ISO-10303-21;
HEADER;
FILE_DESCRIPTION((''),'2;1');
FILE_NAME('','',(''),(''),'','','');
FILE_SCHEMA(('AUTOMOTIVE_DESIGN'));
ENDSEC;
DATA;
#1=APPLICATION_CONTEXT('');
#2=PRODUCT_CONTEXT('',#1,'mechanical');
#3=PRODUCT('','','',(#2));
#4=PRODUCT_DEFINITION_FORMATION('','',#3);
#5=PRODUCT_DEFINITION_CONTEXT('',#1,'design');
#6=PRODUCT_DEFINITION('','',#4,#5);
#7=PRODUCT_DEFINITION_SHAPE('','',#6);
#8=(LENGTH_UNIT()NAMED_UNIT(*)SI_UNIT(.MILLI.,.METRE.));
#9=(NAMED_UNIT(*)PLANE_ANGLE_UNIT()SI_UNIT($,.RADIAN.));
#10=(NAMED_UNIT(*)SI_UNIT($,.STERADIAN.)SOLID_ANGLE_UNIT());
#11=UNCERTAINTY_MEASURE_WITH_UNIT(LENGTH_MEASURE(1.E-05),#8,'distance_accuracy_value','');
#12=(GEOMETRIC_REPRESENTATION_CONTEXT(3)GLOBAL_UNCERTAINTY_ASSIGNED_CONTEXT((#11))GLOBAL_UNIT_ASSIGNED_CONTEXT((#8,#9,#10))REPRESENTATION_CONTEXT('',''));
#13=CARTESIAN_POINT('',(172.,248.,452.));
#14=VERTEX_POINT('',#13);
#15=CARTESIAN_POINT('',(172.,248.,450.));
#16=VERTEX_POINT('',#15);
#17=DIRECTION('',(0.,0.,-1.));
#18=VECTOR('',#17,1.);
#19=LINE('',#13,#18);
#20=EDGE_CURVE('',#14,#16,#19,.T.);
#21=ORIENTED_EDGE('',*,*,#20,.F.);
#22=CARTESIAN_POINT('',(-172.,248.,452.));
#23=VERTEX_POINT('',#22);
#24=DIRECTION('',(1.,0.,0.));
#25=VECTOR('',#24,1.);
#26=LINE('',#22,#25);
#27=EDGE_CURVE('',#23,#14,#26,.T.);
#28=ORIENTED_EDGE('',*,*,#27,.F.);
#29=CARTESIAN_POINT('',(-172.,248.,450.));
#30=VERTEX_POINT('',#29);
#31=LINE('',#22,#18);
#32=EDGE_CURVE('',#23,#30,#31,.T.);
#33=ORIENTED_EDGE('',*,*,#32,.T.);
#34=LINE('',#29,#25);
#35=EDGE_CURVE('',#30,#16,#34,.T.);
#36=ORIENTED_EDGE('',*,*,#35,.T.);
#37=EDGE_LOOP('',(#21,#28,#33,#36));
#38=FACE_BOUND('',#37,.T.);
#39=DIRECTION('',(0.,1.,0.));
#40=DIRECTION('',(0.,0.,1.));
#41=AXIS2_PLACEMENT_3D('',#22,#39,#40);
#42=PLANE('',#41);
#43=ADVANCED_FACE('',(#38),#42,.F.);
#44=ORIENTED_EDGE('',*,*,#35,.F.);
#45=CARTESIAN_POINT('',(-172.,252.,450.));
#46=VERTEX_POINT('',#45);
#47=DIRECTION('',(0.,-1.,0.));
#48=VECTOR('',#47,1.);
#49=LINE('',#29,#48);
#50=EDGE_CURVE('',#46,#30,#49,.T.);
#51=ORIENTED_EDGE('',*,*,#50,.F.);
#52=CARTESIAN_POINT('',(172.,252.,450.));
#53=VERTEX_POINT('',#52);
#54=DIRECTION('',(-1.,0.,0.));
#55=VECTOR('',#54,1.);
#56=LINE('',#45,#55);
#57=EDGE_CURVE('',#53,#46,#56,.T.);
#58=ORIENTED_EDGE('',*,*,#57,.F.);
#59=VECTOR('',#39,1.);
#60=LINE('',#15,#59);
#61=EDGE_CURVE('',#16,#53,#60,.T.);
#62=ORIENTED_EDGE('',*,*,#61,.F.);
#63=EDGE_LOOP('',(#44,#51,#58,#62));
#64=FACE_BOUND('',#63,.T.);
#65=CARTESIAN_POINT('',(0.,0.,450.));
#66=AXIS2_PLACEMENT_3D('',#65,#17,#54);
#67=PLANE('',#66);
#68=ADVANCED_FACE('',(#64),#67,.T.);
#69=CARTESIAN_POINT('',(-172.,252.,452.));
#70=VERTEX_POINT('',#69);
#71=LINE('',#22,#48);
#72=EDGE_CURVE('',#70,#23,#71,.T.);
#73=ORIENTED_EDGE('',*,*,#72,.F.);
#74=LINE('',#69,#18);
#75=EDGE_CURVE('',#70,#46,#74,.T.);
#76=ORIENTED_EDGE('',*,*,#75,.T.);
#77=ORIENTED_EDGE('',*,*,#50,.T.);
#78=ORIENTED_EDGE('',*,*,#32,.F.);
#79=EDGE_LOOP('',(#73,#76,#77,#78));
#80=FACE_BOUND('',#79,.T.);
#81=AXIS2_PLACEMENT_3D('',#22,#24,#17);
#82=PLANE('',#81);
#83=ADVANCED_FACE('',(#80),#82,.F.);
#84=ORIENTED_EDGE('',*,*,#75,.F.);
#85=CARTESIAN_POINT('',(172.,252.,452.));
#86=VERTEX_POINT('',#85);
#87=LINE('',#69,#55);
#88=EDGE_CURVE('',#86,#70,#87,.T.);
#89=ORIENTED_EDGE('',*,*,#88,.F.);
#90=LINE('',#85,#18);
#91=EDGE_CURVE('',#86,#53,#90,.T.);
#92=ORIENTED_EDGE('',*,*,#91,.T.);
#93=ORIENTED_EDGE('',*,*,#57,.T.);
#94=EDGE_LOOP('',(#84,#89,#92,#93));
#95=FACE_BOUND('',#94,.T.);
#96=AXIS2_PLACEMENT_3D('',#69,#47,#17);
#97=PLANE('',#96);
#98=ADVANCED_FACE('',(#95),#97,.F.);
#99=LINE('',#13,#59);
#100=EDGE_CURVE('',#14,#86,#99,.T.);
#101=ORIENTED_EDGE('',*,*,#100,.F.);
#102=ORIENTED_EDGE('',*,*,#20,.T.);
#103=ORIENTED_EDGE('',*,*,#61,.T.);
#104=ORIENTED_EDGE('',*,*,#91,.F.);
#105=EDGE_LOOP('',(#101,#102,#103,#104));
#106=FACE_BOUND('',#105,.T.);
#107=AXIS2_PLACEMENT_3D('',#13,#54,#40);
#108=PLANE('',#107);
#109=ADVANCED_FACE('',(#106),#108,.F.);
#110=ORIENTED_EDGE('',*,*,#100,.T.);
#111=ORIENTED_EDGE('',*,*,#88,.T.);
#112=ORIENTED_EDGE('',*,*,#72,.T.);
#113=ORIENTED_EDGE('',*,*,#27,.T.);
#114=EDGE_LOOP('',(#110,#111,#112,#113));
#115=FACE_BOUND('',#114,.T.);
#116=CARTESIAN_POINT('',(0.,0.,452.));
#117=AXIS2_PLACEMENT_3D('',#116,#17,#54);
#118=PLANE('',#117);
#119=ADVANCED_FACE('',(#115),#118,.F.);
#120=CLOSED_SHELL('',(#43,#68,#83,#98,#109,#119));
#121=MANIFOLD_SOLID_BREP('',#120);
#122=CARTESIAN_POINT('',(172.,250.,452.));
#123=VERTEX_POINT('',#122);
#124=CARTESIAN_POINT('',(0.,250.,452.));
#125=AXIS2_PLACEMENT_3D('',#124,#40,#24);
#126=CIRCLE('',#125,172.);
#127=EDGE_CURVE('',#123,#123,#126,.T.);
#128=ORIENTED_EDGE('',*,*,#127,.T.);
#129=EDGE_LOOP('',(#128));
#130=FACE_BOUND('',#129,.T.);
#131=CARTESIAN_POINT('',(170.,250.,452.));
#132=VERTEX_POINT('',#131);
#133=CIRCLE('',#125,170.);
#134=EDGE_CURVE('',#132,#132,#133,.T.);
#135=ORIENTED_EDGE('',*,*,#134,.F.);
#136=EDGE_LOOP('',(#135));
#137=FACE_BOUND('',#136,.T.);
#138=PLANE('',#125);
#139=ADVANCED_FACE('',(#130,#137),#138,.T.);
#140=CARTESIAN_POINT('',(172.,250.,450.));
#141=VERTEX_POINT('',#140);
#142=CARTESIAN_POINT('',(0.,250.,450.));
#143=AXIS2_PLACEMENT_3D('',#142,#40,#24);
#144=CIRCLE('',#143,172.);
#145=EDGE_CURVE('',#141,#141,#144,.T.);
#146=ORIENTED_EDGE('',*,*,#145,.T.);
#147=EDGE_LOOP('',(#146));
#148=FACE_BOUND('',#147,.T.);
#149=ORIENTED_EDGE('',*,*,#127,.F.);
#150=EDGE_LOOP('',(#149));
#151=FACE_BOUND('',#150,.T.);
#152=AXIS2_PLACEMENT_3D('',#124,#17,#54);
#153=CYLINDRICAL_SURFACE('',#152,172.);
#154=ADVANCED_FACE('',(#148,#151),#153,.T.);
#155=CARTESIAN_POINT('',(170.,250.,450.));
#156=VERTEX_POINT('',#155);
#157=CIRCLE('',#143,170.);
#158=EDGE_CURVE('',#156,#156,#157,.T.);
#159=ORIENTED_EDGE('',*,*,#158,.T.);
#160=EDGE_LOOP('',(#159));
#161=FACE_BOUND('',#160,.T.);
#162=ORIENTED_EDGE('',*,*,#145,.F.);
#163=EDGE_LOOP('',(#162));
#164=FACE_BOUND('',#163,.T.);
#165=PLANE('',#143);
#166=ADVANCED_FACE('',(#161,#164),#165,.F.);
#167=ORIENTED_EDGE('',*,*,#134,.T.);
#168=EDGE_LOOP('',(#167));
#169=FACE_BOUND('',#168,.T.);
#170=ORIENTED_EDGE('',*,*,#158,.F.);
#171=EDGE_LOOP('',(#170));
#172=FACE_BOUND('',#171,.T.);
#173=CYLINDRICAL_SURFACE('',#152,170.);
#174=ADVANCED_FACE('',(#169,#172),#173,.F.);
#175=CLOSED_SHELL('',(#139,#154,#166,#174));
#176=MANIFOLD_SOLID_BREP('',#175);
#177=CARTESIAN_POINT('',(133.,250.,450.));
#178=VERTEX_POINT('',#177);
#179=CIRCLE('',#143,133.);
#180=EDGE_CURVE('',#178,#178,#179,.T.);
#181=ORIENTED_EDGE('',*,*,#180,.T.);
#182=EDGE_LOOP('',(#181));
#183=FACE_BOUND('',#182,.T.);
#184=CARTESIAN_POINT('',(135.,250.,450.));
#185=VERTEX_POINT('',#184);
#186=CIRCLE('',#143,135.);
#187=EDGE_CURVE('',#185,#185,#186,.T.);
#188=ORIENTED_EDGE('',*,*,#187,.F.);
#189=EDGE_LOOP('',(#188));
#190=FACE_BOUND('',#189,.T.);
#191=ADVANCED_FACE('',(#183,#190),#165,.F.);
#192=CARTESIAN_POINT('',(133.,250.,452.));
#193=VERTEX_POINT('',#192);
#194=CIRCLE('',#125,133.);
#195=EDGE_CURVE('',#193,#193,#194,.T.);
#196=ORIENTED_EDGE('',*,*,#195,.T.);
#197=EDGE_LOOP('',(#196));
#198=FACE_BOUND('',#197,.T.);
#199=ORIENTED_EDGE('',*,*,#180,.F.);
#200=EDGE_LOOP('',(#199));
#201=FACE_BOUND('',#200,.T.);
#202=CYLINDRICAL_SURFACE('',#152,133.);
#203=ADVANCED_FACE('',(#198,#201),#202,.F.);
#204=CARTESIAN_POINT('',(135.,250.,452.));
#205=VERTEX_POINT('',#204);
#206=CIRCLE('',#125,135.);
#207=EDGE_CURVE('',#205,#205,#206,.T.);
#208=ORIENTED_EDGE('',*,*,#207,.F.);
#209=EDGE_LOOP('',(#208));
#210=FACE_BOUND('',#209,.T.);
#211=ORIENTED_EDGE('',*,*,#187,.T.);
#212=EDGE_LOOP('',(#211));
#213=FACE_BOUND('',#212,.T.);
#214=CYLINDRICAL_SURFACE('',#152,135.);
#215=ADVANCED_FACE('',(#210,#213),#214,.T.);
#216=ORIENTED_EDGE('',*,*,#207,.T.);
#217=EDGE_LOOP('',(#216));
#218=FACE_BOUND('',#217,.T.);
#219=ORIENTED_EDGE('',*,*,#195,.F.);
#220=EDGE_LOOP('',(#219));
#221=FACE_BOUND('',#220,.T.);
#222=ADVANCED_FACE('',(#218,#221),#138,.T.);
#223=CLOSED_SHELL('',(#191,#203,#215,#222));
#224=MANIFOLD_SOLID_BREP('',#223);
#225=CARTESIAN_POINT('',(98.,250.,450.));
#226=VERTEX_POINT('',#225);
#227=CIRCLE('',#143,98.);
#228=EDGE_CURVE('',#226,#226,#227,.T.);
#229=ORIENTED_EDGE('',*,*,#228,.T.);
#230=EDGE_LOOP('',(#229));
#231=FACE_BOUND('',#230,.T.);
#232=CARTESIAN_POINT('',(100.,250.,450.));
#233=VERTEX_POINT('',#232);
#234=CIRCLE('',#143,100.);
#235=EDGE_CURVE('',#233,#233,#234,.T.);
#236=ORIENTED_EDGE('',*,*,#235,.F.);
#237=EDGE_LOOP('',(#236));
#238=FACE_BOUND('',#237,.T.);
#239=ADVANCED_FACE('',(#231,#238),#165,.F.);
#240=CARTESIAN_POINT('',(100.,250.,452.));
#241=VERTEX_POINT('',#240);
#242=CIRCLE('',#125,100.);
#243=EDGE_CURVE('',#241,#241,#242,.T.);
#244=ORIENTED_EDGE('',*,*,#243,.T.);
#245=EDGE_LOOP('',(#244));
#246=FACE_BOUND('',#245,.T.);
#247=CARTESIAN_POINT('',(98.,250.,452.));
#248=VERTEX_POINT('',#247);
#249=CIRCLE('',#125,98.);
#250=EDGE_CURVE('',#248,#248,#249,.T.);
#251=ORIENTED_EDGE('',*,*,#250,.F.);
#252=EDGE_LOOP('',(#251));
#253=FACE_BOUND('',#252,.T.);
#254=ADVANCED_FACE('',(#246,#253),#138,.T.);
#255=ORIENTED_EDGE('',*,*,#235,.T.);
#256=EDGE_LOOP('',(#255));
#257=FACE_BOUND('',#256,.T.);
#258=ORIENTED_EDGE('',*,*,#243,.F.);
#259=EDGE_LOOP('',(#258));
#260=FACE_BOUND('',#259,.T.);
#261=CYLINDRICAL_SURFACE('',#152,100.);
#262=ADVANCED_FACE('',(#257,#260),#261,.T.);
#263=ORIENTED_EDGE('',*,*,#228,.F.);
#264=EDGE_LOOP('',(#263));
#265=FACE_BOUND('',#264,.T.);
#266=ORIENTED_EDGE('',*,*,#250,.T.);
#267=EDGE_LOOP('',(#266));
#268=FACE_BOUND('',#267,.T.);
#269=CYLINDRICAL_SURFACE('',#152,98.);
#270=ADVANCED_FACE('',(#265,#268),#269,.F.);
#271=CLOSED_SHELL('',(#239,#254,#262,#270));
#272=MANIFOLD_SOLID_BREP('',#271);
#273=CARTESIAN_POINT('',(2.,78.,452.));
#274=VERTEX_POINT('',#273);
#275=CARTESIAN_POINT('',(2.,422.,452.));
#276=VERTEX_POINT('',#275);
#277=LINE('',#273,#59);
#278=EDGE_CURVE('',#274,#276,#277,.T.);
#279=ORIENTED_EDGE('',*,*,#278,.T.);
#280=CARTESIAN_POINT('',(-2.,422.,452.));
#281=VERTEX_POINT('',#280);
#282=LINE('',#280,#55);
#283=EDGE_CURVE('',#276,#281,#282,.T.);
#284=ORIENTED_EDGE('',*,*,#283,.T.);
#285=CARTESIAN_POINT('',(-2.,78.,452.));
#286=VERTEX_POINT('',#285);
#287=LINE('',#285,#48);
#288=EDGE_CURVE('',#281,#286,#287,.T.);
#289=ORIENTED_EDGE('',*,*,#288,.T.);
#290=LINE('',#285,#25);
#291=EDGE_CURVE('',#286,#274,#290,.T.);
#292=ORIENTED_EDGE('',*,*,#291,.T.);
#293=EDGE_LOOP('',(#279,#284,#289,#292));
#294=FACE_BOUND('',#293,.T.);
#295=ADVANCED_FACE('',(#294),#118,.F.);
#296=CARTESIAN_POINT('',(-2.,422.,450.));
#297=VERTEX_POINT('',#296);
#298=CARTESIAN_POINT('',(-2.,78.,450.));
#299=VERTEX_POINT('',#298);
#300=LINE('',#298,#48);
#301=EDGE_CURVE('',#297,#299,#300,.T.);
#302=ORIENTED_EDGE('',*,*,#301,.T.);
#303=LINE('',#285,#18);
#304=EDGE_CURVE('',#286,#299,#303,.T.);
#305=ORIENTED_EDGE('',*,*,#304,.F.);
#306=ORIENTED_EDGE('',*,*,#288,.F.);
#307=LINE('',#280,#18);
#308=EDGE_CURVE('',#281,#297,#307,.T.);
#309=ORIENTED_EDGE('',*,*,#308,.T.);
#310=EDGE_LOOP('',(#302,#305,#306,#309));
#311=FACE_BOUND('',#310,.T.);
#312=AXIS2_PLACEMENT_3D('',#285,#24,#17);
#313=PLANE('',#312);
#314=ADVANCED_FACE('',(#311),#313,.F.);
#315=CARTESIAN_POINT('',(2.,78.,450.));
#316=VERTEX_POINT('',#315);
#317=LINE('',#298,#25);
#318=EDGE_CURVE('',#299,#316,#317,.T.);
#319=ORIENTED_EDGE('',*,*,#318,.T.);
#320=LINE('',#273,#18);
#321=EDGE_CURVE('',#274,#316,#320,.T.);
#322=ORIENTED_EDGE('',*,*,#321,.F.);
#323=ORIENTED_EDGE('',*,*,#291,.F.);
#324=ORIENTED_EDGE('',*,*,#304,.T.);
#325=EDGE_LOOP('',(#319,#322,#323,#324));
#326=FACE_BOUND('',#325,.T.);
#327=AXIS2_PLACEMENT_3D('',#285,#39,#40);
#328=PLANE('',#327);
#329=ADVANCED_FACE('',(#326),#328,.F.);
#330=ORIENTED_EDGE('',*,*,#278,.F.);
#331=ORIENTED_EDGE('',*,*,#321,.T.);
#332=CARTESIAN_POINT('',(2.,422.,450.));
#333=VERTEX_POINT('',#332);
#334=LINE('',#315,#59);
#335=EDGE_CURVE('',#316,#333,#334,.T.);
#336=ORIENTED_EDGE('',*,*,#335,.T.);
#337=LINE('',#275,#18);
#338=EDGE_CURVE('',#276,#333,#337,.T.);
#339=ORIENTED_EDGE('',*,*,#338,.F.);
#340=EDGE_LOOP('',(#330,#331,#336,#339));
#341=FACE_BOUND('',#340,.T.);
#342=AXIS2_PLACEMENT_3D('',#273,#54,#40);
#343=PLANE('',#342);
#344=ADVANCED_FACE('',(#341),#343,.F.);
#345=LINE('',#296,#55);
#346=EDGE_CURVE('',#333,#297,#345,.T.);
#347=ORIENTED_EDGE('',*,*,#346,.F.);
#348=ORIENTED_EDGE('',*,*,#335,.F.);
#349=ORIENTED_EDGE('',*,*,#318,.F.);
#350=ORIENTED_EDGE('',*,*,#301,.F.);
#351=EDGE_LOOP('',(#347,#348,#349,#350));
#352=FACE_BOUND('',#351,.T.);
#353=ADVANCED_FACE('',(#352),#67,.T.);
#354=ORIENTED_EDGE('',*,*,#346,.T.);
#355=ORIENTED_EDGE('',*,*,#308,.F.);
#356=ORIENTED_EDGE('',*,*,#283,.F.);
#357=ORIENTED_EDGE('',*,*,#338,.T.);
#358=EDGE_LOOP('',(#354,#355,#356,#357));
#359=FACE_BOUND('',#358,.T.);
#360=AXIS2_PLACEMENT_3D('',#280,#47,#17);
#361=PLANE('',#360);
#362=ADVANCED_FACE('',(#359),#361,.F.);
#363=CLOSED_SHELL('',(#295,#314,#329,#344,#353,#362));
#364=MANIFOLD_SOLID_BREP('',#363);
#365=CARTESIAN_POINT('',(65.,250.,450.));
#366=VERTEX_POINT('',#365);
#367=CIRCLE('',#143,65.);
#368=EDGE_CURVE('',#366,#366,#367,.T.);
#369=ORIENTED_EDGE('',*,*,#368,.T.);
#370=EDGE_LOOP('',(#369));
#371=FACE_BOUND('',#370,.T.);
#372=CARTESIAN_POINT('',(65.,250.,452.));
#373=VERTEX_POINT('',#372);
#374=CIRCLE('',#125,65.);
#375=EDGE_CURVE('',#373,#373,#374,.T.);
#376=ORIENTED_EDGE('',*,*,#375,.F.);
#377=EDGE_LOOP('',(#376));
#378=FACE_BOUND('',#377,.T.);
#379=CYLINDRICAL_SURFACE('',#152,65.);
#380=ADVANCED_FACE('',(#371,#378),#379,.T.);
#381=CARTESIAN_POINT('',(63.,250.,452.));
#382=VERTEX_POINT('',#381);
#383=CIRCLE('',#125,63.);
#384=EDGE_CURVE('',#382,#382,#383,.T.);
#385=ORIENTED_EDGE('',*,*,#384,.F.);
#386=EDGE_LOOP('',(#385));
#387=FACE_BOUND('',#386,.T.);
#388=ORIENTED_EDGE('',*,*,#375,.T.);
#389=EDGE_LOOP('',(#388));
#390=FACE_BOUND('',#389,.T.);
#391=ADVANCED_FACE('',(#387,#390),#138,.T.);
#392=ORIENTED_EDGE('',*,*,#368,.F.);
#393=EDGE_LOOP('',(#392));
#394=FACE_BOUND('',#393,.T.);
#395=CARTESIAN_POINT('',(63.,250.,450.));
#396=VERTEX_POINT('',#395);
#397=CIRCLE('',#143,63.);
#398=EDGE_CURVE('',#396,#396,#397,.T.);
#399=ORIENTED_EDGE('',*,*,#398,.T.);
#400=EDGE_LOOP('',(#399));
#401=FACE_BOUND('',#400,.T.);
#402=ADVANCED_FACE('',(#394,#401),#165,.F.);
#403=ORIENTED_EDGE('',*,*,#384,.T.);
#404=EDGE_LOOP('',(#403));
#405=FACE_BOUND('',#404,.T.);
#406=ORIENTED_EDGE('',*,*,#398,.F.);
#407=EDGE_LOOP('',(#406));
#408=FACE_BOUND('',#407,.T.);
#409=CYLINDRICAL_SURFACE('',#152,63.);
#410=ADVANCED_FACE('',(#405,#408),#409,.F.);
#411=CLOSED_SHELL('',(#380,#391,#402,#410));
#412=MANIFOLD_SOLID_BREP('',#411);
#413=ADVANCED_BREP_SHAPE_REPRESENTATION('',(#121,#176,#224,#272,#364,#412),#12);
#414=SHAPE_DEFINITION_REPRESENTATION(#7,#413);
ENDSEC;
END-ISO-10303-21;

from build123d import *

# Parameters (mm, degrees)
GUARD_RING_ASSUMED_START        = 450
SKETCH1_R                       = 65
SKETCH1_R_2                     = 63
GUARD_RING_ASSUMED_DEPTH        = 2
BOSS_EXTRUDE2_START             = 450
SKETCH2_R                       = 100
SKETCH2_R_2                     = 98
BOSS_EXTRUDE2_DEPTH             = 2
BOSS_EXTRUDE3_START             = 450
SKETCH3_R                       = 135
SKETCH3_R_2                     = 133
BOSS_EXTRUDE3_DEPTH             = 2
BOSS_EXTRUDE4_START             = 450
SKETCH4_R                       = 172
SKETCH4_R_2                     = 170
BOSS_EXTRUDE4_DEPTH             = 2
GUARD_CROSSBAR_HORIZONTAL_START = 450
SKETCH5_W                       = 344
SKETCH5_H                       = 4
GUARD_CROSSBAR_HORIZONTAL_DEPTH = 2
GUARD_CROSSBAR_VERTICAL_START   = 450
SKETCH6_W                       = 4
SKETCH6_H                       = 344
GUARD_CROSSBAR_VERTICAL_DEPTH   = 2


with BuildPart() as part:
    # Sketch1 → Guard_ring_ASSUMED (new body)
    with BuildSketch(Plane.XY.offset(GUARD_RING_ASSUMED_START)):
        with Locations((0, 250)):
            Circle(SKETCH1_R)
        with Locations((0, 250)):
            Circle(SKETCH1_R_2, mode=Mode.SUBTRACT)
    extrude(amount=GUARD_RING_ASSUMED_DEPTH)


with BuildPart() as body_2:
    # Sketch2 → Boss-Extrude2 (new body)
    with BuildSketch(Plane.XY.offset(BOSS_EXTRUDE2_START)):
        with Locations((0, 250)):
            Circle(SKETCH2_R)
        with Locations((0, 250)):
            Circle(SKETCH2_R_2, mode=Mode.SUBTRACT)
    extrude(amount=BOSS_EXTRUDE2_DEPTH)


with BuildPart() as body_3:
    # Sketch3 → Boss-Extrude3 (new body)
    with BuildSketch(Plane.XY.offset(BOSS_EXTRUDE3_START)):
        with Locations((0, 250)):
            Circle(SKETCH3_R)
        with Locations((0, 250)):
            Circle(SKETCH3_R_2, mode=Mode.SUBTRACT)
    extrude(amount=BOSS_EXTRUDE3_DEPTH)


with BuildPart() as body_4:
    # Sketch4 → Boss-Extrude4 (new body)
    with BuildSketch(Plane.XY.offset(BOSS_EXTRUDE4_START)):
        with Locations((0, 250)):
            Circle(SKETCH4_R)
        with Locations((0, 250)):
            Circle(SKETCH4_R_2, mode=Mode.SUBTRACT)
    extrude(amount=BOSS_EXTRUDE4_DEPTH)


with BuildPart() as body_5:
    # Sketch5 → Guard_crossbar_horizontal (new body)
    with BuildSketch(Plane.XY.offset(GUARD_CROSSBAR_HORIZONTAL_START)):
        with Locations((0, 250)):
            Rectangle(SKETCH5_W, SKETCH5_H)
    extrude(amount=GUARD_CROSSBAR_HORIZONTAL_DEPTH)


with BuildPart() as body_6:
    # Sketch6 → Guard_crossbar_vertical (new body)
    with BuildSketch(Plane.XY.offset(GUARD_CROSSBAR_VERTICAL_START)):
        with Locations((0, 250)):
            Rectangle(SKETCH6_W, SKETCH6_H)
    extrude(amount=GUARD_CROSSBAR_VERTICAL_DEPTH)


solid = Compound([part.part, body_2.part, body_3.part, body_4.part, body_5.part, body_6.part])
